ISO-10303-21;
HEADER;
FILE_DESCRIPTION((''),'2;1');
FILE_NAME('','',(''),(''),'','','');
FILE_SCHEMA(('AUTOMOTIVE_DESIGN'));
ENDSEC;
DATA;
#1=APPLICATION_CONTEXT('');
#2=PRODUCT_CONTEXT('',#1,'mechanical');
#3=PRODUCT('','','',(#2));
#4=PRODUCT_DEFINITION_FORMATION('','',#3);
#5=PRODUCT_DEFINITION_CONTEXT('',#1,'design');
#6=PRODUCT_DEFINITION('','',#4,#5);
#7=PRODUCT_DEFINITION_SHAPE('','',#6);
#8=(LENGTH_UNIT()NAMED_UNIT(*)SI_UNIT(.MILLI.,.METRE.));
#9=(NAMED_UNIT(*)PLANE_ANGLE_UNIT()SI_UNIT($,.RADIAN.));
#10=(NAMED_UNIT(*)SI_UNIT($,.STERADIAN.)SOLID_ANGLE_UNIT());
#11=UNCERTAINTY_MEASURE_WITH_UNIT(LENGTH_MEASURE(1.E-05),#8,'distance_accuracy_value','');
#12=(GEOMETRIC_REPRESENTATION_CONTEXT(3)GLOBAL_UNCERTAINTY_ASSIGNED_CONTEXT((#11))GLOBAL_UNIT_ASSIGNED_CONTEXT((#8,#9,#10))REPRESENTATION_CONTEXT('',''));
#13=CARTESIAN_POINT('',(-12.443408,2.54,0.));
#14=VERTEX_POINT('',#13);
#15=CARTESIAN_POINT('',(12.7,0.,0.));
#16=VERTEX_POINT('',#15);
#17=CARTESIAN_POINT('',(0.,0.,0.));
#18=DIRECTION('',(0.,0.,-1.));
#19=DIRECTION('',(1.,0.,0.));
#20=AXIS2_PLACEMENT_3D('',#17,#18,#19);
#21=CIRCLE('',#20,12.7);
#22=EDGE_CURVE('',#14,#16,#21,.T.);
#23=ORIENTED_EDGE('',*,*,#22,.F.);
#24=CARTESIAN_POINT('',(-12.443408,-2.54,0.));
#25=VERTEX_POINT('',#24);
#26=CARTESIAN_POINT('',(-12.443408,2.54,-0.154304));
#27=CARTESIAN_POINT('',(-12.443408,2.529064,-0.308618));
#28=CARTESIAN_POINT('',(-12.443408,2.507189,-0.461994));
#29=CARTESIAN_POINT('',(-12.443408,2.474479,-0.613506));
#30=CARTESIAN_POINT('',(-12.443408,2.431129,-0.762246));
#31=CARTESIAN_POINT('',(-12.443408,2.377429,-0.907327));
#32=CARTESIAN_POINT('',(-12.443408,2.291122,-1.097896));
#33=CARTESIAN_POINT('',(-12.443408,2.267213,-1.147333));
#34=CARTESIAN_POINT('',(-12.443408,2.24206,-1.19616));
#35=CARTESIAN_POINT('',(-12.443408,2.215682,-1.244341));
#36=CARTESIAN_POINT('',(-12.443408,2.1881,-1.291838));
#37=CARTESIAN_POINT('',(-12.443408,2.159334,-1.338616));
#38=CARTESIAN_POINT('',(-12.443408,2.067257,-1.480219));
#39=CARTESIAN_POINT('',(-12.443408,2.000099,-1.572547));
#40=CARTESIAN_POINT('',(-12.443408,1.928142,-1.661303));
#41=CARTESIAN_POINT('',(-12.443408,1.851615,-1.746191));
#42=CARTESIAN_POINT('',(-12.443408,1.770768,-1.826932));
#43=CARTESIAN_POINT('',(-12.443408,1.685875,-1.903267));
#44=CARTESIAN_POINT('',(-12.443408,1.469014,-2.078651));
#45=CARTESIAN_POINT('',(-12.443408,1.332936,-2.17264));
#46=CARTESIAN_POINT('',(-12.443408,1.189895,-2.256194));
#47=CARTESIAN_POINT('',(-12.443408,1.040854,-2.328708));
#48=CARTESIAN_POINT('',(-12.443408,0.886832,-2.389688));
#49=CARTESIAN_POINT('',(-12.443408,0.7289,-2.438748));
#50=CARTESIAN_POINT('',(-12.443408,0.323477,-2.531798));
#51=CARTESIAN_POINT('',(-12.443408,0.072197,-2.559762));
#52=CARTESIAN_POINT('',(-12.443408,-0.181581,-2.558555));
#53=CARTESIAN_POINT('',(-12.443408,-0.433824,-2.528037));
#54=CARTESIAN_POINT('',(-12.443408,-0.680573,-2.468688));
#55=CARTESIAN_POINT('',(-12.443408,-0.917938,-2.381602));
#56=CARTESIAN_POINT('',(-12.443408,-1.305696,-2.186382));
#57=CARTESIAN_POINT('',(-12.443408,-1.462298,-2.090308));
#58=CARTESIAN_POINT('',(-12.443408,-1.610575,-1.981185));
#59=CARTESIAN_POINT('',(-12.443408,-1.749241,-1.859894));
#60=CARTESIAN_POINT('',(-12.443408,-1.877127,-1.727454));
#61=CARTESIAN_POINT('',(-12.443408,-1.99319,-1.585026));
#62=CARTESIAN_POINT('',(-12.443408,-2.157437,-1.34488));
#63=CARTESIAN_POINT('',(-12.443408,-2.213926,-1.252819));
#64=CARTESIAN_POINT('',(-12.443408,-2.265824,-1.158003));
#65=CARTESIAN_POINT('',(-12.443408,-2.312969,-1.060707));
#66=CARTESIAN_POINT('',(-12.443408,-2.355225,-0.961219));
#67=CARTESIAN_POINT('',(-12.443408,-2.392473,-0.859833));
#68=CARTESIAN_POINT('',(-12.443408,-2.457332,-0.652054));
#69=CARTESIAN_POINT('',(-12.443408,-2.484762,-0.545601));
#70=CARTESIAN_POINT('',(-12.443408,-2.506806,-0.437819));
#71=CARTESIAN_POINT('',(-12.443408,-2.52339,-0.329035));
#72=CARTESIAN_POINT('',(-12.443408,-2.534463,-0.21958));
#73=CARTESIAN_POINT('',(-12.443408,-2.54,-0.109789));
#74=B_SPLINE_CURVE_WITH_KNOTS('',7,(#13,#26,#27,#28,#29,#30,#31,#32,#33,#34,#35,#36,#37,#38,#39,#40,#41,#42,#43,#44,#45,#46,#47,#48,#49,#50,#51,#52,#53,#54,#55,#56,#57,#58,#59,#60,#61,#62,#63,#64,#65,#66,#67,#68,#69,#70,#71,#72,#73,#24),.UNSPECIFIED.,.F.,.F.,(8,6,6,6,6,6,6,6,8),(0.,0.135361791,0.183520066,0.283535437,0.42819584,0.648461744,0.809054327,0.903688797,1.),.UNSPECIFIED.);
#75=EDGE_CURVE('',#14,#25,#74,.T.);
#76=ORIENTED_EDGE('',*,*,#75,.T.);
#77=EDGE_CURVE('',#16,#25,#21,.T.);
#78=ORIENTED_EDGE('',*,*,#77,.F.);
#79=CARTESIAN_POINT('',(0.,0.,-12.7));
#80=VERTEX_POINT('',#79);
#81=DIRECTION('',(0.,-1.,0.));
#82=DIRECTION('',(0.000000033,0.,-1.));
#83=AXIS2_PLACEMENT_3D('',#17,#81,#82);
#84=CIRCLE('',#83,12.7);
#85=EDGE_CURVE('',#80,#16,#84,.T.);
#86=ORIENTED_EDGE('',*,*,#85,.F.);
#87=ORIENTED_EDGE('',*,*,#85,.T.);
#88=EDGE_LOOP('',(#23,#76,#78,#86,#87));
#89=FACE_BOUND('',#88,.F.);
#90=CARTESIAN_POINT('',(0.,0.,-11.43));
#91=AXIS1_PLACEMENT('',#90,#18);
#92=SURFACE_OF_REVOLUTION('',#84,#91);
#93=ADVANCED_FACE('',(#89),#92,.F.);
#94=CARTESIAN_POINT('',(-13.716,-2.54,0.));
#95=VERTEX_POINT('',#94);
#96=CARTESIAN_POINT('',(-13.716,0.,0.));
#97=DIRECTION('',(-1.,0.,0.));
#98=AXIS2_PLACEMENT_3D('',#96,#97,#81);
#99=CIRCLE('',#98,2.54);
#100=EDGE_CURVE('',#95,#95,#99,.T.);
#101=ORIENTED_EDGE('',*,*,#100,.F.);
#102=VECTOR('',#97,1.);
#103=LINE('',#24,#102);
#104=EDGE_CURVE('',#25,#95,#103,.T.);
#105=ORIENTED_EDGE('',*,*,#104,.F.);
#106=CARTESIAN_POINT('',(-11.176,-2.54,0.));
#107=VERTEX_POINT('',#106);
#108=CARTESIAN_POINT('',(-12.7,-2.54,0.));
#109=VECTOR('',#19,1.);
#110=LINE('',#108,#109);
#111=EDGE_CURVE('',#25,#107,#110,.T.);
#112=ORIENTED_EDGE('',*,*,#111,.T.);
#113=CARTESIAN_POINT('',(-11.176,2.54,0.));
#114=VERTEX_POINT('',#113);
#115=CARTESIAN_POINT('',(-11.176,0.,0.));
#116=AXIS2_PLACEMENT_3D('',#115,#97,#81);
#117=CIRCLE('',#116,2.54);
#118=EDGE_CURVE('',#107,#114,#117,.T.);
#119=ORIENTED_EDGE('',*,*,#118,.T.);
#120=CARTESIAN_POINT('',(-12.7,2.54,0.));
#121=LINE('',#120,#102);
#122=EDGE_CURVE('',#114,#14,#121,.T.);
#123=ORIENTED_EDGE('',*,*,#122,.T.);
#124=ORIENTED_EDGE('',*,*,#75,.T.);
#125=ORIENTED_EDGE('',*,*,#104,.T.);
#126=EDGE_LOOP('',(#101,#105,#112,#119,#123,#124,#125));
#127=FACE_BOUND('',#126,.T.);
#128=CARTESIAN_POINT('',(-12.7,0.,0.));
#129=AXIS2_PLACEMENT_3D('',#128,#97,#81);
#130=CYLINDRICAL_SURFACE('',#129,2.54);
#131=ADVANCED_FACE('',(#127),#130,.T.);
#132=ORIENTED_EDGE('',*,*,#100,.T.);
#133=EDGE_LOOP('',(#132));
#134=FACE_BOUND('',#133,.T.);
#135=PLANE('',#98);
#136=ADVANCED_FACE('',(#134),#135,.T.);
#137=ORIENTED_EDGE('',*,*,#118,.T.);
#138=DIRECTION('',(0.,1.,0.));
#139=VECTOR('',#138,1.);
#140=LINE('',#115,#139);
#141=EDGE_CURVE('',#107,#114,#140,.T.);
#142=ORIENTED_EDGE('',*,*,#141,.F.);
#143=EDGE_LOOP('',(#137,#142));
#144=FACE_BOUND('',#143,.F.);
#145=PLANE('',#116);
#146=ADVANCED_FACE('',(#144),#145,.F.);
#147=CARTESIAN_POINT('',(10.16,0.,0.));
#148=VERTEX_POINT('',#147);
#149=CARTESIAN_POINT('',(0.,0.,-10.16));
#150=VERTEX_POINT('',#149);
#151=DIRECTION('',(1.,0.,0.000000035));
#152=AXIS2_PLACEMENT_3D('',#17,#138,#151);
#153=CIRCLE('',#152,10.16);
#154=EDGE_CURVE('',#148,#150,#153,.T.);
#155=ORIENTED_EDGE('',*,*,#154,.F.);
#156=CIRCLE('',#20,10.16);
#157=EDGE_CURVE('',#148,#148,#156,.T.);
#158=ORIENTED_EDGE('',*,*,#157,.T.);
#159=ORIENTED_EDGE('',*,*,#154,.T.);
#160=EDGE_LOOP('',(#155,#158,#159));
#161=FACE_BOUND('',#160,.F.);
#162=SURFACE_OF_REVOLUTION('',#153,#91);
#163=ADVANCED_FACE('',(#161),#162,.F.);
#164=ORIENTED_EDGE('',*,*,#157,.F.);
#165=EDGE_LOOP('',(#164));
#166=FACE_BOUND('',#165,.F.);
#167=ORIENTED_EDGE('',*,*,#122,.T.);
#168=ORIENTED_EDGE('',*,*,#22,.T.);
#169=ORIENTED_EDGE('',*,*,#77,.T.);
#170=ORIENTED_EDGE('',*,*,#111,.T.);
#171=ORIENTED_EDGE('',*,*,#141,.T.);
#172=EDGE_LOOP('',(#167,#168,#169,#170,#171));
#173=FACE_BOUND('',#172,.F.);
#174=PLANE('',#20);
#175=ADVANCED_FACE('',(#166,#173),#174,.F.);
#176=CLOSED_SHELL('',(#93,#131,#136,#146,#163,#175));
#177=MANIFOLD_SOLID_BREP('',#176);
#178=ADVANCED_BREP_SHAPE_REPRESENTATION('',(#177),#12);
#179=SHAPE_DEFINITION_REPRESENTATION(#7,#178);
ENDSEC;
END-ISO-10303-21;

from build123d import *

# Parameters (mm, degrees)
F4_R          = 2.54
F5_DEPTH      = 1.016
F5_DEPTH_BACK = 1.524


with BuildPart() as f1:
    # F0 (on Front) → F1 (revolve)
    with BuildSketch(Plane.XZ):
        with BuildLine():
            Line((0, -10.16), (0, -12.7))
            ThreePointArc((0, -12.7), (8.980256, -8.980256), (12.7, 0))
            Line((12.7, 0), (10.16, 0))
            ThreePointArc((10.16, 0), (7.184205, -7.184205), (0, -10.16))
        make_face()
    revolve(axis=Axis((0, 0, -11.43), (0, 0, -1)))

    # F4 (on face) → F5 (join, two sides)
    with BuildSketch(Plane(origin=(-12.7, 0, 0), x_dir=(0, -1, 0), z_dir=(-1, 0, 0))) as f5_sk:
        Circle(F4_R)
    extrude(amount=F5_DEPTH)
    extrude(f5_sk.sketch, amount=-F5_DEPTH_BACK)


solid = f1.part
